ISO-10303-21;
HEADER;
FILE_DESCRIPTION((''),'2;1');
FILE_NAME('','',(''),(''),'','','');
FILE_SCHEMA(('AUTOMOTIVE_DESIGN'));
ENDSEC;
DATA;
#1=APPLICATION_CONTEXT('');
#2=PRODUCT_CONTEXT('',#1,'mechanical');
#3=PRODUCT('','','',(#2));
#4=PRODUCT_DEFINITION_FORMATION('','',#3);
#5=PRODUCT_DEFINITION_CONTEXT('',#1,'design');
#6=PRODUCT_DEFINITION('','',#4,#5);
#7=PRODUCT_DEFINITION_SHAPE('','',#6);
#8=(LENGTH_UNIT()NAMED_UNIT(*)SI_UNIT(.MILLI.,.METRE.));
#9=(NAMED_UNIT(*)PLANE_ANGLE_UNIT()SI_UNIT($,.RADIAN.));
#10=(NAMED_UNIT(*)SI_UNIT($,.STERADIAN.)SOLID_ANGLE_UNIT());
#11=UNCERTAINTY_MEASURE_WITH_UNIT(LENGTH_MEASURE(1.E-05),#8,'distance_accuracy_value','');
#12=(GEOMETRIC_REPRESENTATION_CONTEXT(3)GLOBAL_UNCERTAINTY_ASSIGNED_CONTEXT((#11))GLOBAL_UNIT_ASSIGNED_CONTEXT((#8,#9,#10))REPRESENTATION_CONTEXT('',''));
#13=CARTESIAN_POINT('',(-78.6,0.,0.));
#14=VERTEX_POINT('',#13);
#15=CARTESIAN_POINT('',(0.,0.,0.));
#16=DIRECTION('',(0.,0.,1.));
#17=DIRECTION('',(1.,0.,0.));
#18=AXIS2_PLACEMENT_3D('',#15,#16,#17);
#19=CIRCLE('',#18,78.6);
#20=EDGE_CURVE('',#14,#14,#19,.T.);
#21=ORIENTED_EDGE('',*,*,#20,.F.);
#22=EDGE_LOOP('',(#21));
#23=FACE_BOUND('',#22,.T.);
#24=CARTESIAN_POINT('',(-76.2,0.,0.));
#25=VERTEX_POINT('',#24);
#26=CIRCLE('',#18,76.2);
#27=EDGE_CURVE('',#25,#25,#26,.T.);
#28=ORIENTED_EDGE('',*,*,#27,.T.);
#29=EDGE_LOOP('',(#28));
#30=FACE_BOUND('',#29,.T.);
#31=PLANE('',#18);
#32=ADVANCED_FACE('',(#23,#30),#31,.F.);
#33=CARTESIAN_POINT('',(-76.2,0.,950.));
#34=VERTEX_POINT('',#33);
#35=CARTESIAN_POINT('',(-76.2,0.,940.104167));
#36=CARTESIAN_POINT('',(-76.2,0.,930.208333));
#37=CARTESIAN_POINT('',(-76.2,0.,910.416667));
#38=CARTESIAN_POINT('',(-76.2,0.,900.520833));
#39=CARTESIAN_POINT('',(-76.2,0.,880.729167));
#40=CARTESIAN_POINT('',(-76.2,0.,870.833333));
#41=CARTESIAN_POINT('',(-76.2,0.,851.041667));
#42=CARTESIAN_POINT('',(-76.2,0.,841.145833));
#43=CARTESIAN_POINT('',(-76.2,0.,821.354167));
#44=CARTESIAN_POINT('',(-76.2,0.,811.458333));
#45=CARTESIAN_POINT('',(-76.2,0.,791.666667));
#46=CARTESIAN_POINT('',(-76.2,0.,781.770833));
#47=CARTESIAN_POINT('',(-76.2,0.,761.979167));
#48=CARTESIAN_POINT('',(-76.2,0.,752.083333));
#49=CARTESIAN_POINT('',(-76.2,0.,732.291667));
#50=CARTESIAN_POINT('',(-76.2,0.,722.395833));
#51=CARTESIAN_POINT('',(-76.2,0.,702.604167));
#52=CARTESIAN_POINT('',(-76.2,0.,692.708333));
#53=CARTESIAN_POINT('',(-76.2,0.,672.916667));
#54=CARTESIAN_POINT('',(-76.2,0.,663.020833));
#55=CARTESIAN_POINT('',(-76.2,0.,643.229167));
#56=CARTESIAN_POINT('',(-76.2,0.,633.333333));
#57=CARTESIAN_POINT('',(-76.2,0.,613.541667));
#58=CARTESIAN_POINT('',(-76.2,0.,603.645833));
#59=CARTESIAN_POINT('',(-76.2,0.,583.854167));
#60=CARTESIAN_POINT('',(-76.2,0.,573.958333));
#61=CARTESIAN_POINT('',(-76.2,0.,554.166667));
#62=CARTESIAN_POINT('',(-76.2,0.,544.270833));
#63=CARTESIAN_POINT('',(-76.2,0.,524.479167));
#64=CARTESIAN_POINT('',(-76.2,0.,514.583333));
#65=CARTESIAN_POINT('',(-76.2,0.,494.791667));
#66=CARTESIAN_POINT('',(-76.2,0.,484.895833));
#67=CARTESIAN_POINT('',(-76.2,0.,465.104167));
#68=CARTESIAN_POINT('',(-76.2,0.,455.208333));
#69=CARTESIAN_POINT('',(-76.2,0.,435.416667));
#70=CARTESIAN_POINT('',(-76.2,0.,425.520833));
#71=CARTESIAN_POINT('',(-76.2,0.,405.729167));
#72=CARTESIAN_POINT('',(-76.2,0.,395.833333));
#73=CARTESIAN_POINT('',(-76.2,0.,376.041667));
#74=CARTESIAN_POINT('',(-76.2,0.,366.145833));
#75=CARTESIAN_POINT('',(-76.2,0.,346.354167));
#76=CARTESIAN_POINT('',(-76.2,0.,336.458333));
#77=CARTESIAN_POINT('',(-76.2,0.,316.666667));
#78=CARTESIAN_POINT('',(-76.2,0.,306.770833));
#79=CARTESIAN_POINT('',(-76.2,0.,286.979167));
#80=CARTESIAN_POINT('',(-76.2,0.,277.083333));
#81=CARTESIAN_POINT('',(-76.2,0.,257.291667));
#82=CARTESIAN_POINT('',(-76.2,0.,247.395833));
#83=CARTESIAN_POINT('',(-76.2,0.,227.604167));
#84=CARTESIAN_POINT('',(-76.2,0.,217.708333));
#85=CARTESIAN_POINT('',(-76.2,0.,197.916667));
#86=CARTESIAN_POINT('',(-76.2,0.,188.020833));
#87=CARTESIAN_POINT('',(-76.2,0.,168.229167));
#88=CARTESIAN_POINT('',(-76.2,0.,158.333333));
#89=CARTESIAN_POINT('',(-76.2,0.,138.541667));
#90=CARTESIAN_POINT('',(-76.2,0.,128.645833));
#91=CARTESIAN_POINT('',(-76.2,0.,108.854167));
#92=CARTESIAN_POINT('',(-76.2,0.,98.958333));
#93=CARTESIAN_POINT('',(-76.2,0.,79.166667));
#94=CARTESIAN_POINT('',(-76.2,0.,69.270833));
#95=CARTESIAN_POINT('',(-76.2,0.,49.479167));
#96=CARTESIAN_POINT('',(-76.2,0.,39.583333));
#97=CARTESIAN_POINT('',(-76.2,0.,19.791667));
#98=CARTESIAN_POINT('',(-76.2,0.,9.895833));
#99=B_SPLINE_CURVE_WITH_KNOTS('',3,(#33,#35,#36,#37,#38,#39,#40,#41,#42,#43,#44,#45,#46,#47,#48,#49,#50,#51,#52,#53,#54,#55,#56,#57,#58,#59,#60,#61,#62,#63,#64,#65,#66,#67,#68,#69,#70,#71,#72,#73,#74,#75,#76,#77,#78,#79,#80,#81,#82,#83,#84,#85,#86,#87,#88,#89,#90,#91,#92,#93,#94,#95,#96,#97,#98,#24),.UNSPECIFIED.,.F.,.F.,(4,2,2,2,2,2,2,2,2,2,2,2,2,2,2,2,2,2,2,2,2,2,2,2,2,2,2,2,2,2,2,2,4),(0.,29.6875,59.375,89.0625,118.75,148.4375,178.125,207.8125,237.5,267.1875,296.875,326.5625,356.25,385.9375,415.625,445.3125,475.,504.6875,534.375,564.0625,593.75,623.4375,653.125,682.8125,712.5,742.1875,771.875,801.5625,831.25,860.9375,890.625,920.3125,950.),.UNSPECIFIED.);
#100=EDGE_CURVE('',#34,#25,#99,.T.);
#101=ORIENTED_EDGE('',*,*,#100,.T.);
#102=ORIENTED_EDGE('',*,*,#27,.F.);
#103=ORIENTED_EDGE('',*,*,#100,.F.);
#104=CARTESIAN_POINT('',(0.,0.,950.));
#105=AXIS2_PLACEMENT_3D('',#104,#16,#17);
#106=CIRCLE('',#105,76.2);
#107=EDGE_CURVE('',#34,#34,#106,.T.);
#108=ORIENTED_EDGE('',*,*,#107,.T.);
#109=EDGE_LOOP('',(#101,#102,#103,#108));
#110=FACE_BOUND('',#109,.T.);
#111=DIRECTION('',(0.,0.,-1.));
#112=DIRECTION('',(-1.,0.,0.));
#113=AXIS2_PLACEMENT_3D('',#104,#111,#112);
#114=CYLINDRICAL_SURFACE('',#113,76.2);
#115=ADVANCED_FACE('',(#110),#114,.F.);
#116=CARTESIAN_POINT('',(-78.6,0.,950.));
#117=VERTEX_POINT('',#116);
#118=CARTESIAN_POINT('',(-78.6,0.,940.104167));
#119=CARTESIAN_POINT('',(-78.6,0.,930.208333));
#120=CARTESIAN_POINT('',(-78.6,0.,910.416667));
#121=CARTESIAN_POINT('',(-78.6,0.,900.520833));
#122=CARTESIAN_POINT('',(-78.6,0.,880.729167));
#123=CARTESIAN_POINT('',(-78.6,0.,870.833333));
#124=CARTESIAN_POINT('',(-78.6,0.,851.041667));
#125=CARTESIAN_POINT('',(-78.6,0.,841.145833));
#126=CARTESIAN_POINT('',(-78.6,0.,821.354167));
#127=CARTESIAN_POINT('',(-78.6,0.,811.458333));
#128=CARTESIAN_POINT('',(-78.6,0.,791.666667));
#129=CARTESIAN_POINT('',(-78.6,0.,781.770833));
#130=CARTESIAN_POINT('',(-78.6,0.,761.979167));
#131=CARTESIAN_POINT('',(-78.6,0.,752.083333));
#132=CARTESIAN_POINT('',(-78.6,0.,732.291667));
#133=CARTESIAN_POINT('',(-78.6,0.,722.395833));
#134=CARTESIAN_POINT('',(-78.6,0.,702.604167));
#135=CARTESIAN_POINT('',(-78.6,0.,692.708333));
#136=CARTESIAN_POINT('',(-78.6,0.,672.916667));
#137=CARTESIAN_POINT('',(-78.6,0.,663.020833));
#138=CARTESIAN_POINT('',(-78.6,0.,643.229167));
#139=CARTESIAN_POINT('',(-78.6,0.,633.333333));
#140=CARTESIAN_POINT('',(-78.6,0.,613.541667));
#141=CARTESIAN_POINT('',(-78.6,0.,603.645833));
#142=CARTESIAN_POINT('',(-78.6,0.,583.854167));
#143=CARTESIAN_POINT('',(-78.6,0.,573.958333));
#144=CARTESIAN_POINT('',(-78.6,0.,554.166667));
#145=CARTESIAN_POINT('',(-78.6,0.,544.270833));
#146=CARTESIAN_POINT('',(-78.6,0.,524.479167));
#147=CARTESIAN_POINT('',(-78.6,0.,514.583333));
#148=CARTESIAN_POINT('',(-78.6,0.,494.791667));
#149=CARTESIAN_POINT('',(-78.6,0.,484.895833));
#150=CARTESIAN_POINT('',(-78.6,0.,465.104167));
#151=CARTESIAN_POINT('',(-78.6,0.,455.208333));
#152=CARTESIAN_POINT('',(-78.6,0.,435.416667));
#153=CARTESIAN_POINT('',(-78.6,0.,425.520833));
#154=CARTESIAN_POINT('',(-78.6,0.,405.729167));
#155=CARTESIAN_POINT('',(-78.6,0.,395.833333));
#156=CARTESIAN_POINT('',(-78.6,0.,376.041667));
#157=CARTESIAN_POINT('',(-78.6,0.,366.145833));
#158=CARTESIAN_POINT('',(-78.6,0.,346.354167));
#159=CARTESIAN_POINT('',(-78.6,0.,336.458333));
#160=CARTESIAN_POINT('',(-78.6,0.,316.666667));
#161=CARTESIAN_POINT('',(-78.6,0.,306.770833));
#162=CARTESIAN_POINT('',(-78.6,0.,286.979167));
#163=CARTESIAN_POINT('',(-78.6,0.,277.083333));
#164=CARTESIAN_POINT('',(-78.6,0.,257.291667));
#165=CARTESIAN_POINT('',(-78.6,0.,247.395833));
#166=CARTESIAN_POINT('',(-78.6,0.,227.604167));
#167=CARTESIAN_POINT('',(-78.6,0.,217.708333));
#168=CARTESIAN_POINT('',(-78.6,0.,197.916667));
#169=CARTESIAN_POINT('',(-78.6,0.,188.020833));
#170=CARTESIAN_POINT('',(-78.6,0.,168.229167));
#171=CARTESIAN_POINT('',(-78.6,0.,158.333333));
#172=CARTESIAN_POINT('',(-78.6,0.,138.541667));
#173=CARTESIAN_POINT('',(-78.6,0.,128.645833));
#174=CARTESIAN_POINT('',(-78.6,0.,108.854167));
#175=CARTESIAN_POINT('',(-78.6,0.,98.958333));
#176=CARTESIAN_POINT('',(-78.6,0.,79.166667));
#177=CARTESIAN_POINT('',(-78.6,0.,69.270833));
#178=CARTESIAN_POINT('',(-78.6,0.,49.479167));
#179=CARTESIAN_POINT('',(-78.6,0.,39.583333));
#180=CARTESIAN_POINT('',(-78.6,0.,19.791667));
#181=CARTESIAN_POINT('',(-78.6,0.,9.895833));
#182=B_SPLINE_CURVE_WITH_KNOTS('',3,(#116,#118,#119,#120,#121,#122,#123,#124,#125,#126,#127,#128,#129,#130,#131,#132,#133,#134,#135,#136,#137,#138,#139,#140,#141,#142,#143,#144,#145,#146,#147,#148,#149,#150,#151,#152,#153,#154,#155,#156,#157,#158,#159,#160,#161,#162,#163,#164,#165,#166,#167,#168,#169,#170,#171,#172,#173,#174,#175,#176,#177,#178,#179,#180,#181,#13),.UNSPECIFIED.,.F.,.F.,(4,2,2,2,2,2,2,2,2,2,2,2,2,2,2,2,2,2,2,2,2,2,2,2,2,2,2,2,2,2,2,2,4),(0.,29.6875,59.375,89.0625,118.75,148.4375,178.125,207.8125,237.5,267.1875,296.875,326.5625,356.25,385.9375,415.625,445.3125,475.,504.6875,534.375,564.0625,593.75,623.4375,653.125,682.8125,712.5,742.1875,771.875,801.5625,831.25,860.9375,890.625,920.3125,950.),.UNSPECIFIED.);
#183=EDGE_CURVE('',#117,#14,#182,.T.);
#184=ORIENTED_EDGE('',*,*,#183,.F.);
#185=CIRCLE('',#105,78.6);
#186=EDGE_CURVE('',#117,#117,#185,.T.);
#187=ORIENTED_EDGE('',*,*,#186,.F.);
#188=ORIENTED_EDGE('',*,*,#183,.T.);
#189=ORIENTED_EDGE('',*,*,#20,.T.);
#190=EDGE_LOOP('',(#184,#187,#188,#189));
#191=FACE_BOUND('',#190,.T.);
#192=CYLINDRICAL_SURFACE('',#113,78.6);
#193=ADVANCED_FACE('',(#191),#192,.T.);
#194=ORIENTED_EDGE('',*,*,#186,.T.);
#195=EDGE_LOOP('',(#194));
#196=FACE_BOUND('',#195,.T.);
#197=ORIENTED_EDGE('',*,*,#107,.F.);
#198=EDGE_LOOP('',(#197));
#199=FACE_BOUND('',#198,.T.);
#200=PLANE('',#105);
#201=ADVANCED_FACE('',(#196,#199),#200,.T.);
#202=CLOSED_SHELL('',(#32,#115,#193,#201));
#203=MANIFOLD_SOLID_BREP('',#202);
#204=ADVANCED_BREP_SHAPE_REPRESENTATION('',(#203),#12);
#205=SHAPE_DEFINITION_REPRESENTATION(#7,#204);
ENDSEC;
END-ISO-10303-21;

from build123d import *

# Parameters (mm, degrees)
SKETCH1_R           = 78.6
SKETCH1_R_2         = 76.2
BOSS_EXTRUDE1_DEPTH = 950


with BuildPart() as part:
    # Sketch1 → Boss-Extrude1 (new body)
    with BuildSketch(Plane.XY):
        with Locations(Location((0, 0, 0), (0, 0, 180))):
            Circle(SKETCH1_R)
        with Locations(Location((0, 0, 0), (0, 0, 180))):
            Circle(SKETCH1_R_2, mode=Mode.SUBTRACT)
    extrude(amount=BOSS_EXTRUDE1_DEPTH)


solid = part.part
